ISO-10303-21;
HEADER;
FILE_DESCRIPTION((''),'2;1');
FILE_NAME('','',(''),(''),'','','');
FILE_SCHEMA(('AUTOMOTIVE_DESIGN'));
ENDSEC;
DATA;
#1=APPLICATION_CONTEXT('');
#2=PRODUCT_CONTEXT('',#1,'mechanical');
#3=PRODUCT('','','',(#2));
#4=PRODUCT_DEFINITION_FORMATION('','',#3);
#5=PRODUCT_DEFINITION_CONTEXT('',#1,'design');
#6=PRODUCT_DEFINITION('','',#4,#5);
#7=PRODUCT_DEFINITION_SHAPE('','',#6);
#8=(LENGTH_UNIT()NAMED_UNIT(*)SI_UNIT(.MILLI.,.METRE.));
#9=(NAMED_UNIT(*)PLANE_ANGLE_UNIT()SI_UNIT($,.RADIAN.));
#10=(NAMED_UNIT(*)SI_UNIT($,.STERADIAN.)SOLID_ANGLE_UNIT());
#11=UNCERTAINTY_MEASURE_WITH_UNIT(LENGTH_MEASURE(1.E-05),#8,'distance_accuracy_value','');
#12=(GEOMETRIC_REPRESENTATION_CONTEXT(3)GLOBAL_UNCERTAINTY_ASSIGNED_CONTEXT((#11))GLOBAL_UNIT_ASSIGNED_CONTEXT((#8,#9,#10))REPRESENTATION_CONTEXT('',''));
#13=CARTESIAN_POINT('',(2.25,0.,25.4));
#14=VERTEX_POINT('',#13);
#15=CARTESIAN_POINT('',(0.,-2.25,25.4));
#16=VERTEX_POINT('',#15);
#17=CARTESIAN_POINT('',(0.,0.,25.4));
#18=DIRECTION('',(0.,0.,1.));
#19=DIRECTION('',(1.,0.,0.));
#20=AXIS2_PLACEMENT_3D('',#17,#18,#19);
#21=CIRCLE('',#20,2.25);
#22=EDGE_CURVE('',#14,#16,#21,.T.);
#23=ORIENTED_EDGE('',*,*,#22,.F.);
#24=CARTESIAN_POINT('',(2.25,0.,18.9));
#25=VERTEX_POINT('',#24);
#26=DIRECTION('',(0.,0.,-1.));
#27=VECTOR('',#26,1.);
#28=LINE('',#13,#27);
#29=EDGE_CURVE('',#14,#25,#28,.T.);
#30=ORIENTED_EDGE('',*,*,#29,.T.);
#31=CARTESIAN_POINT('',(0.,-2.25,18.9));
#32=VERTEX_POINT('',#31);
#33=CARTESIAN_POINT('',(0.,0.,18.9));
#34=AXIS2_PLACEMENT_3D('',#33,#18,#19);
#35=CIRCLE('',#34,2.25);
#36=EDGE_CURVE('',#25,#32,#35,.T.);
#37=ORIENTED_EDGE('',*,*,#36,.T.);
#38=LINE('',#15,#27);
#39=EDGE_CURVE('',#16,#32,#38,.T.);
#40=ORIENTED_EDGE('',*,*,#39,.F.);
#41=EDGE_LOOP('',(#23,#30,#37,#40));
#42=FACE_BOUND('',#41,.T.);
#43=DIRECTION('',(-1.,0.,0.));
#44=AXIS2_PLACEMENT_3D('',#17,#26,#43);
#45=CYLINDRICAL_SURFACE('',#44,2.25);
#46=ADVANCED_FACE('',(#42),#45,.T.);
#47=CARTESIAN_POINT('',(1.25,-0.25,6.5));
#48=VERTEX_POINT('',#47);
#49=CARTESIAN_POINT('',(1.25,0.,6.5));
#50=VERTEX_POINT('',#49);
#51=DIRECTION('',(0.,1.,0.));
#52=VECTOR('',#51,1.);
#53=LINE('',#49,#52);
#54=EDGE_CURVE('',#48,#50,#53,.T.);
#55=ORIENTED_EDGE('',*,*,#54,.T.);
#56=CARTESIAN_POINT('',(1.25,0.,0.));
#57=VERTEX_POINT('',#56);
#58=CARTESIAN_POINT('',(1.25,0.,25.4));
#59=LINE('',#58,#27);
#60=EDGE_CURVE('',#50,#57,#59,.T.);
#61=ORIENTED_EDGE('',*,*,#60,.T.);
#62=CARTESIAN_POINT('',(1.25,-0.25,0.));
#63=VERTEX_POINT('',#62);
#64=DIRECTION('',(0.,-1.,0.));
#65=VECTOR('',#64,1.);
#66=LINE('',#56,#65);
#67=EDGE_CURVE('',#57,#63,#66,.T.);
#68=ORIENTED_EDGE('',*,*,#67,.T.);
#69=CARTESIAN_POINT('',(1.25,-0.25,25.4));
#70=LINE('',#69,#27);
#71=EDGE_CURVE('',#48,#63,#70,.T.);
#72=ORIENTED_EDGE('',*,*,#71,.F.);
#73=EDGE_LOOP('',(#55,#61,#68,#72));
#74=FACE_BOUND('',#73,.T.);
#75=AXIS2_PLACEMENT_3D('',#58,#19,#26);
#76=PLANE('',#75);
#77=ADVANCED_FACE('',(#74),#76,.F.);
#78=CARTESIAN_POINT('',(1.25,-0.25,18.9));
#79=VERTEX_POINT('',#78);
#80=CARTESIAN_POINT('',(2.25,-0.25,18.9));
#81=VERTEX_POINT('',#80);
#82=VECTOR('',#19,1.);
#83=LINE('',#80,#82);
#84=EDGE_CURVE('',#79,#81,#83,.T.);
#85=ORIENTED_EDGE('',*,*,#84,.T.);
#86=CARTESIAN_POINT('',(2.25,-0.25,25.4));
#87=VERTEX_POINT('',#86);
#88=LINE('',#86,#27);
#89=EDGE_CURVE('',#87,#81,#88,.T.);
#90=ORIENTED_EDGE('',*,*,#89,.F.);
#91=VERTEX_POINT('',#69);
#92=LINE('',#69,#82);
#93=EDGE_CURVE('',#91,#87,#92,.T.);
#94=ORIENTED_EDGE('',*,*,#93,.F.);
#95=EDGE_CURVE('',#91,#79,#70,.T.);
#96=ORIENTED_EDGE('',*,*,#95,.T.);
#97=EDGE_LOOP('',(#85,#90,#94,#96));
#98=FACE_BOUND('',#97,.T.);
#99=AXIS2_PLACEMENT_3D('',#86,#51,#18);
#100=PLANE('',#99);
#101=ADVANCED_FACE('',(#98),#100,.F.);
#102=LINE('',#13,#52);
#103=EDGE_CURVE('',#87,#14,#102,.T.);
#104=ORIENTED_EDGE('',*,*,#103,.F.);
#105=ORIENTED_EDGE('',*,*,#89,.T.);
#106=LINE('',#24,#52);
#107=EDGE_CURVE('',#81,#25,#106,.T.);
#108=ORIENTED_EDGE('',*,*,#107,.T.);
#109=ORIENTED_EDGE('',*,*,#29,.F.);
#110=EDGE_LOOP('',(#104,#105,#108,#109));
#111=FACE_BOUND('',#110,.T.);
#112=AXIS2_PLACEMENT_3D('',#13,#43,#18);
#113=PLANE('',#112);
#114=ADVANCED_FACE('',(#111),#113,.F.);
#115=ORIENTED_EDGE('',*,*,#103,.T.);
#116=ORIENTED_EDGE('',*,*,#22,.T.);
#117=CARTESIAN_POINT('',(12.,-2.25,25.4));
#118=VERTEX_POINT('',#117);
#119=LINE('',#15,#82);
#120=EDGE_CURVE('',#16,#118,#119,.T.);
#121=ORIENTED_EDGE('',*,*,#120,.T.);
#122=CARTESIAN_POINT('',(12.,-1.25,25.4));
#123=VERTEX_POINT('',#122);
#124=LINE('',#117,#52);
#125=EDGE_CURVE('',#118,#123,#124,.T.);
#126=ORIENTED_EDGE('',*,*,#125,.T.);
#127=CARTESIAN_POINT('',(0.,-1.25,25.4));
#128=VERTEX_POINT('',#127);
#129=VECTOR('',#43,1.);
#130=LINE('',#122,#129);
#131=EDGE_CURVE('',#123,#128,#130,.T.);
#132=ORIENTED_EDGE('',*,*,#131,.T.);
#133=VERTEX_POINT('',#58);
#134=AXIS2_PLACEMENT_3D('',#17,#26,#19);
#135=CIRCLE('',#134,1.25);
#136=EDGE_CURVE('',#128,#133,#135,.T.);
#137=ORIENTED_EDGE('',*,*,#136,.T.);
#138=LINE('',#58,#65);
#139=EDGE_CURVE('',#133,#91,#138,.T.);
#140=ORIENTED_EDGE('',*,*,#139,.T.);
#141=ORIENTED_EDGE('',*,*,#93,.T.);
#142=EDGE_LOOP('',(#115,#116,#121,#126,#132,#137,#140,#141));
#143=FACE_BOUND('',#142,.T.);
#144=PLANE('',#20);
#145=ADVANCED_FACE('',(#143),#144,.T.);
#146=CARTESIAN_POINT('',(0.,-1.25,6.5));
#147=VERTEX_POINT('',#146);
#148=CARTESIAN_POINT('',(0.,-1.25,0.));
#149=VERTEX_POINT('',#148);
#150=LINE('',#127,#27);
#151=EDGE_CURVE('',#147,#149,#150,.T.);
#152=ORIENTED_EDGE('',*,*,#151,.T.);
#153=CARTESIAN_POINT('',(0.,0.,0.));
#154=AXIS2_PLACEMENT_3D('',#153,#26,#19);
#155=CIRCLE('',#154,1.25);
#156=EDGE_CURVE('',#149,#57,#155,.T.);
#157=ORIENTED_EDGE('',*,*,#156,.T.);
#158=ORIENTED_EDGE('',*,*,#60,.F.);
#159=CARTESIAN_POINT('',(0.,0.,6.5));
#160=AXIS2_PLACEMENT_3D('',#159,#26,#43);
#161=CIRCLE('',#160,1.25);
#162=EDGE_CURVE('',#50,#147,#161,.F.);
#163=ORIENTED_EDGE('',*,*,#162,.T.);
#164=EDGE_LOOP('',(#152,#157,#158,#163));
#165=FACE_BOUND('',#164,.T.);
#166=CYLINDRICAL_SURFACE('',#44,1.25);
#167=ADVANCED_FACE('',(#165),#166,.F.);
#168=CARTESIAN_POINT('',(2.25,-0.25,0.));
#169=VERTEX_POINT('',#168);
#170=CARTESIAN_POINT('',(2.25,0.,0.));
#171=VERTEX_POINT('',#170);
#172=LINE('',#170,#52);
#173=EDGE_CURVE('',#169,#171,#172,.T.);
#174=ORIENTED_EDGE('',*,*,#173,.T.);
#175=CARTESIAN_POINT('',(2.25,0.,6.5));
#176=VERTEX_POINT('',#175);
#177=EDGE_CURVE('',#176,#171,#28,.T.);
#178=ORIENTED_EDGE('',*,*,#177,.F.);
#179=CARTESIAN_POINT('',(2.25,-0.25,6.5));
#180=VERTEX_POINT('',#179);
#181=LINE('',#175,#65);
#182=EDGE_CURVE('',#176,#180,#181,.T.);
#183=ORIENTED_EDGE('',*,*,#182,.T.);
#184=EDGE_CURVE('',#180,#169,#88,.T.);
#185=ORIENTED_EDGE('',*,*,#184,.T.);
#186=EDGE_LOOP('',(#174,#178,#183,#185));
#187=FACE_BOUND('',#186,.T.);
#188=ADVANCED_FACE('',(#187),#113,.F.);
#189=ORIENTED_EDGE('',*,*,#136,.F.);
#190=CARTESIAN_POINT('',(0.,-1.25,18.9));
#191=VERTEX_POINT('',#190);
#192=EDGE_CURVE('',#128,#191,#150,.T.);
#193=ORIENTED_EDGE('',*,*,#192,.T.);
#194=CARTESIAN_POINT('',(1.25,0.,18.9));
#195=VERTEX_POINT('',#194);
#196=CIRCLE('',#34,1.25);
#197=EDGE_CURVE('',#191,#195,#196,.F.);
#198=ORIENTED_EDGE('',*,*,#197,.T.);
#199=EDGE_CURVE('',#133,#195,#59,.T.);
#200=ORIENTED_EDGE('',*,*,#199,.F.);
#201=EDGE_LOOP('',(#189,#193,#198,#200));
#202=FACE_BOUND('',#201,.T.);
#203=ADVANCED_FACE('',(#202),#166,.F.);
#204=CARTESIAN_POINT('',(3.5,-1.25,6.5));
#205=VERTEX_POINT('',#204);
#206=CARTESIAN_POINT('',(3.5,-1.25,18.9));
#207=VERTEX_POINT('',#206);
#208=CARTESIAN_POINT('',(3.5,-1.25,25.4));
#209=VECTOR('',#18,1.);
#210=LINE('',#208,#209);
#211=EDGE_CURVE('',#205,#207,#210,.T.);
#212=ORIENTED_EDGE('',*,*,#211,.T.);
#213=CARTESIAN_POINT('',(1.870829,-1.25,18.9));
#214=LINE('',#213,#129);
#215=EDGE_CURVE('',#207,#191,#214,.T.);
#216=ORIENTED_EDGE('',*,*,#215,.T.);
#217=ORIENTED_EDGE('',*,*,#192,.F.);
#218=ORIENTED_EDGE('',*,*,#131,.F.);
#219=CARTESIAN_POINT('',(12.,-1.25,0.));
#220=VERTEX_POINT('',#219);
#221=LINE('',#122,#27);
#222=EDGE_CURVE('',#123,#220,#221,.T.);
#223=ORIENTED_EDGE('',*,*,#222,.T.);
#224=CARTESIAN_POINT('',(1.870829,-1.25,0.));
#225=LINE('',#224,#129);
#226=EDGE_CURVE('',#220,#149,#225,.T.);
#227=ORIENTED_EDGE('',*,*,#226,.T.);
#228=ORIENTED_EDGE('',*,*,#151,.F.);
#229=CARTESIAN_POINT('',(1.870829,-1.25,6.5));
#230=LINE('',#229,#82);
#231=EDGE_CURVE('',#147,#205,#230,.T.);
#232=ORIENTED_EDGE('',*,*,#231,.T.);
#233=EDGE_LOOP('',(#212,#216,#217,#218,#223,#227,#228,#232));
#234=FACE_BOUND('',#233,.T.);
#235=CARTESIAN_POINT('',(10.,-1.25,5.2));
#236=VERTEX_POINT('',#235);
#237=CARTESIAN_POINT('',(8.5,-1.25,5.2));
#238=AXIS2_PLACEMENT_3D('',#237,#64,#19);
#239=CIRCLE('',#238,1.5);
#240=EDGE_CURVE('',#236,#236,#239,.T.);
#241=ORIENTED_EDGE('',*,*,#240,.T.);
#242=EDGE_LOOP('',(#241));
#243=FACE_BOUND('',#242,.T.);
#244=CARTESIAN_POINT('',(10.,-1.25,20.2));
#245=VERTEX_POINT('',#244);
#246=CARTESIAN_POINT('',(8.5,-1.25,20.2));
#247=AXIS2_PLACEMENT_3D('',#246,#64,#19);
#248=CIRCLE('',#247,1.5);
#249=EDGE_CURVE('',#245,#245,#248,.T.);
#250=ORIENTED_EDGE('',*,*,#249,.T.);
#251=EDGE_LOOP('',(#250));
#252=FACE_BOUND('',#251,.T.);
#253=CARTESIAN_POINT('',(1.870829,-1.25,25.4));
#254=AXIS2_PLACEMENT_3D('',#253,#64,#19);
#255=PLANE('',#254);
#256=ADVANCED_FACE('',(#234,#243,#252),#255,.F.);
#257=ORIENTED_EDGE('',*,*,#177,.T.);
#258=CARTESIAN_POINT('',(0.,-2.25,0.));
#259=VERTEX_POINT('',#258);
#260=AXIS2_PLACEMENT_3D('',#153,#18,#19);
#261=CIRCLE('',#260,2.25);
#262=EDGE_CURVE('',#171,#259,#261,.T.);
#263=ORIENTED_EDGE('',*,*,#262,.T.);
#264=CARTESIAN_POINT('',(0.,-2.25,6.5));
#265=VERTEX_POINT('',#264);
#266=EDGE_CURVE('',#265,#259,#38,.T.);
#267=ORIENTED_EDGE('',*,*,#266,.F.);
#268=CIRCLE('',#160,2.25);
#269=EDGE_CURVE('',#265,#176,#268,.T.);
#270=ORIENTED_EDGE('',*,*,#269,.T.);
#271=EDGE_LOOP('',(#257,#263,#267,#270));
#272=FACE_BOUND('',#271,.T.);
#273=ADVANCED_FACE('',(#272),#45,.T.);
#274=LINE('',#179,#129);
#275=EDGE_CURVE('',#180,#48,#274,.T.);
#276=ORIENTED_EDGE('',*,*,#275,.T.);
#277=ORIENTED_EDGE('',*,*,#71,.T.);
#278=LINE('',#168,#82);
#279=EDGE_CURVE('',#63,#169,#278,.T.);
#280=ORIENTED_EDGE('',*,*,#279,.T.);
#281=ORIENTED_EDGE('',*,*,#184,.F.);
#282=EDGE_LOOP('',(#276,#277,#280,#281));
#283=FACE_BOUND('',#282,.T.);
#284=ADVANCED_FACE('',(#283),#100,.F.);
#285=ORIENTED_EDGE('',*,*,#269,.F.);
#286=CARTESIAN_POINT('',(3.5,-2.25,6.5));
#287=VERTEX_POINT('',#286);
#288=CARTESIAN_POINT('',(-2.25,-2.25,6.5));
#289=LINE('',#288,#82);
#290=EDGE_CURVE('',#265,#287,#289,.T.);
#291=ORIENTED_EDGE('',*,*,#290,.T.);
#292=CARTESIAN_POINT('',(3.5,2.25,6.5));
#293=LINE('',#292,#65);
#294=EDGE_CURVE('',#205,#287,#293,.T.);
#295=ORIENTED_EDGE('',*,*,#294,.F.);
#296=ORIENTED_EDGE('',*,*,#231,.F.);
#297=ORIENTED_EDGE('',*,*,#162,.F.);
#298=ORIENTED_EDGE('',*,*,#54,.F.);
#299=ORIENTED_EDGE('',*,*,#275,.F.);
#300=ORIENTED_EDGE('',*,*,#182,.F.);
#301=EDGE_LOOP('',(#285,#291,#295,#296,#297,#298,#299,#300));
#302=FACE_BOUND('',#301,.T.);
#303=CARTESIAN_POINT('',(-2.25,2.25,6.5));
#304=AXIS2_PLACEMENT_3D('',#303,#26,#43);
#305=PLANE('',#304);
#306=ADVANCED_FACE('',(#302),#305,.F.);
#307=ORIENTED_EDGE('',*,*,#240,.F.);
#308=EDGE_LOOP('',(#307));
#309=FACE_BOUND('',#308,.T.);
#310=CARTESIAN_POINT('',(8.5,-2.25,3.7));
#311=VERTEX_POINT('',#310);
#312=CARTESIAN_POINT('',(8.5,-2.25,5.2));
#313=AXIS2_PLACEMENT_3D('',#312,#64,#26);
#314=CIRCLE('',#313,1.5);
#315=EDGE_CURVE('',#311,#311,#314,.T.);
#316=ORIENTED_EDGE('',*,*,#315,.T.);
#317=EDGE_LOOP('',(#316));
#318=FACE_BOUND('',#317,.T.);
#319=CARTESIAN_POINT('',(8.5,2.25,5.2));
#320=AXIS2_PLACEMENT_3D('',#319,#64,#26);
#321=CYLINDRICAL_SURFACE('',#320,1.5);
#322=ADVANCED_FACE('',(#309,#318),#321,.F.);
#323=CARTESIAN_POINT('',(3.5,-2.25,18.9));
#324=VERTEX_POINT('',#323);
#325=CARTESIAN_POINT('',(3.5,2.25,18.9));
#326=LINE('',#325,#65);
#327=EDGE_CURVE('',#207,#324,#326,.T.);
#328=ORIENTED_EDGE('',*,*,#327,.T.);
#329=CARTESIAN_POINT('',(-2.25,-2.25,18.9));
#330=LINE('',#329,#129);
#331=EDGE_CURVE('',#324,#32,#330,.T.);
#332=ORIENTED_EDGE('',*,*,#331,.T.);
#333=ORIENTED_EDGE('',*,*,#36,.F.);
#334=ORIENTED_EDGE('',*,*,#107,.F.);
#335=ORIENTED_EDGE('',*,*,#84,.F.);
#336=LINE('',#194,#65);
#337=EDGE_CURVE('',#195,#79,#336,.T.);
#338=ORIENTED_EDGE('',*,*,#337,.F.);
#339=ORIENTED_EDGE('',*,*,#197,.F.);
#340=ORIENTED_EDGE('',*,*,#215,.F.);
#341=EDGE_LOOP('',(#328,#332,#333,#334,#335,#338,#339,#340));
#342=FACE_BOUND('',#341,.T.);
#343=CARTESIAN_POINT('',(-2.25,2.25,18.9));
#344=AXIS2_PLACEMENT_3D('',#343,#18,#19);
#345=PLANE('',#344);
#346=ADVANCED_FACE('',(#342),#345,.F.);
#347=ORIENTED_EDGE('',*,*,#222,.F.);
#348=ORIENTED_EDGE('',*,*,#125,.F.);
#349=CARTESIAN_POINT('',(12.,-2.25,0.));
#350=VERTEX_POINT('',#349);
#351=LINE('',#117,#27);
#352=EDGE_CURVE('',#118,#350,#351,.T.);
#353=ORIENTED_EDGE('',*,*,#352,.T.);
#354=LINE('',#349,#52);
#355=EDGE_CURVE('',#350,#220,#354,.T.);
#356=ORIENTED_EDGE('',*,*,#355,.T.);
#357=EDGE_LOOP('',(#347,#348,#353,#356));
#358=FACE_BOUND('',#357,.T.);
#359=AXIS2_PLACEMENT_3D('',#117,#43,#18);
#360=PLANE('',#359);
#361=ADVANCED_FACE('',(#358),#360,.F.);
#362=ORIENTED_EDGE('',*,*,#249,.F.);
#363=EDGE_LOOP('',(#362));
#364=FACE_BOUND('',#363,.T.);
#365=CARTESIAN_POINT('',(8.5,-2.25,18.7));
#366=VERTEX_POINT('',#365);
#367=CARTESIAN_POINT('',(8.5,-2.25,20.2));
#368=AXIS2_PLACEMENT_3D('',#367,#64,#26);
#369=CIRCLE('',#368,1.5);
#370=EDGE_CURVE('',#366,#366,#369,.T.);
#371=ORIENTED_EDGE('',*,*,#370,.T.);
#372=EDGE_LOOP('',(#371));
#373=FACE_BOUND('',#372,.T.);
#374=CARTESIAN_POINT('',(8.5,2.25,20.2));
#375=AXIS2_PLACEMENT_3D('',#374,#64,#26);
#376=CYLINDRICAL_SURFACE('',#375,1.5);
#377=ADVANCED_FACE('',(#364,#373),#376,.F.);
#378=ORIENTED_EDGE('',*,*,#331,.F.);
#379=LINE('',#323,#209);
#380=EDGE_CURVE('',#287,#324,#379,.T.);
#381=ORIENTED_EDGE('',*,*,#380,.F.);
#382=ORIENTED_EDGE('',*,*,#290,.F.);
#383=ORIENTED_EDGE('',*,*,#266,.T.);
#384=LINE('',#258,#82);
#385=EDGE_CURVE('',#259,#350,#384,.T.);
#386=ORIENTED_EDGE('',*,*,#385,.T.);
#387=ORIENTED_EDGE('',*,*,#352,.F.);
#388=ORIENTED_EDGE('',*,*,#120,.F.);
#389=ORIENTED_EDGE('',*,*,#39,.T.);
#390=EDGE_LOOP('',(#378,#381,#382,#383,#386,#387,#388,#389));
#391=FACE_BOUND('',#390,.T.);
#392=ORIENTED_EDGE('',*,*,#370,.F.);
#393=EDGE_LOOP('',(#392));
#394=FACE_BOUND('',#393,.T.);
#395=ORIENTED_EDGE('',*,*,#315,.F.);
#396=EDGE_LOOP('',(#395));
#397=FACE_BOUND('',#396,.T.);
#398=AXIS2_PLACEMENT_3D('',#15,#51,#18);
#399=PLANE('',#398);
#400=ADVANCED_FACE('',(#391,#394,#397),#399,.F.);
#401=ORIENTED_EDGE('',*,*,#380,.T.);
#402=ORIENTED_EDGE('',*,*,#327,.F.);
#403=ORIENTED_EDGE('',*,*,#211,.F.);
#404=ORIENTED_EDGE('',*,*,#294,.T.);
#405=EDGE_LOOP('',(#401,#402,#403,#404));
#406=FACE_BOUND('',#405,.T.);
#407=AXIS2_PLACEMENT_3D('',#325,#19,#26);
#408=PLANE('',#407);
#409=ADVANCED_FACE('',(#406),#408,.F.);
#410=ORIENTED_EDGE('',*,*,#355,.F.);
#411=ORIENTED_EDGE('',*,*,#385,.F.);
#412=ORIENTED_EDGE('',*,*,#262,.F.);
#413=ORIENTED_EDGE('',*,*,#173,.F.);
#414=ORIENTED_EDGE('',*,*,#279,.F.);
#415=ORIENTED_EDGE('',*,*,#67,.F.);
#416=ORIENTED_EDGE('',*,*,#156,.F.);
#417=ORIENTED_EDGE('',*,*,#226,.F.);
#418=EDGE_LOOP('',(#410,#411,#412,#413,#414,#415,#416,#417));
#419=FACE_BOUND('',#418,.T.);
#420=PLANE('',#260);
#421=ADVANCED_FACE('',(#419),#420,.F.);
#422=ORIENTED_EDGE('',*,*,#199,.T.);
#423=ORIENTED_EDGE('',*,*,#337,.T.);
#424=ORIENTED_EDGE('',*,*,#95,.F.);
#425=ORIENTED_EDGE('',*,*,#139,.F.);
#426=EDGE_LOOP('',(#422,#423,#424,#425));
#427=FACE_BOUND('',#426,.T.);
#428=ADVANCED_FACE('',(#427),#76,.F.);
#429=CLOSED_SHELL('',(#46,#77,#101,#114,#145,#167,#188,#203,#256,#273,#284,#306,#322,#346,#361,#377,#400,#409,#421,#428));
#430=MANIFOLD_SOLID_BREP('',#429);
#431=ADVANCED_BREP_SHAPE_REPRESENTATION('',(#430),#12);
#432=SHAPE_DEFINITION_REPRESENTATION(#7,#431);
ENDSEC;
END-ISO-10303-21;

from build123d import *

# Parameters (mm, degrees)
SALIENTE_EXTRUIR1_DEPTH = 25.4
CROQUIS4_R              = 1.5
CROQUIS4_W              = 5.75
CROQUIS4_H              = 12.4
CORTAR_EXTRUIR3_DEPTH   = 29.45013181


with BuildPart() as part:
    # Croquis1 → Saliente-Extruir1 (new body)
    with BuildSketch(Plane.XY):
        with BuildLine():
            Line((0, -2.25), (12, -2.25))
            Line((12, -2.25), (12, -1.25))
            Line((12, -1.25), (1.870828693, -1.25))
            Line((1.870828693, -1.25), (0, -1.25))
            ThreePointArc((0, -1.25), (-0.883883476, 0.883883476), (1.25, 0))
            Line((1.25, 0), (1.25, -0.25))
            Line((1.25, -0.25), (2.236067977, -0.25))
            Line((2.236067977, -0.25), (2.25, -0.25))
            Line((2.25, -0.25), (2.25, 0))
            ThreePointArc((2.25, 0), (-1.590990258, 1.590990258), (0, -2.25))
        make_face()
    extrude(amount=SALIENTE_EXTRUIR1_DEPTH)

    # Croquis4 → Cortar-Extruir3 (cut, through all)
    with BuildSketch(Plane.XZ.offset(2.25)):
        with Locations(Location((8.5, 20.2, 0), (0, 0, 270))):
            Circle(CROQUIS4_R)
        with Locations(Location((8.5, 5.2, 0), (0, 0, 270))):
            Circle(CROQUIS4_R)
        with Locations((0.625, 12.7)):
            Rectangle(CROQUIS4_W, CROQUIS4_H)
    extrude(amount=-CORTAR_EXTRUIR3_DEPTH, mode=Mode.SUBTRACT)


solid = part.part
